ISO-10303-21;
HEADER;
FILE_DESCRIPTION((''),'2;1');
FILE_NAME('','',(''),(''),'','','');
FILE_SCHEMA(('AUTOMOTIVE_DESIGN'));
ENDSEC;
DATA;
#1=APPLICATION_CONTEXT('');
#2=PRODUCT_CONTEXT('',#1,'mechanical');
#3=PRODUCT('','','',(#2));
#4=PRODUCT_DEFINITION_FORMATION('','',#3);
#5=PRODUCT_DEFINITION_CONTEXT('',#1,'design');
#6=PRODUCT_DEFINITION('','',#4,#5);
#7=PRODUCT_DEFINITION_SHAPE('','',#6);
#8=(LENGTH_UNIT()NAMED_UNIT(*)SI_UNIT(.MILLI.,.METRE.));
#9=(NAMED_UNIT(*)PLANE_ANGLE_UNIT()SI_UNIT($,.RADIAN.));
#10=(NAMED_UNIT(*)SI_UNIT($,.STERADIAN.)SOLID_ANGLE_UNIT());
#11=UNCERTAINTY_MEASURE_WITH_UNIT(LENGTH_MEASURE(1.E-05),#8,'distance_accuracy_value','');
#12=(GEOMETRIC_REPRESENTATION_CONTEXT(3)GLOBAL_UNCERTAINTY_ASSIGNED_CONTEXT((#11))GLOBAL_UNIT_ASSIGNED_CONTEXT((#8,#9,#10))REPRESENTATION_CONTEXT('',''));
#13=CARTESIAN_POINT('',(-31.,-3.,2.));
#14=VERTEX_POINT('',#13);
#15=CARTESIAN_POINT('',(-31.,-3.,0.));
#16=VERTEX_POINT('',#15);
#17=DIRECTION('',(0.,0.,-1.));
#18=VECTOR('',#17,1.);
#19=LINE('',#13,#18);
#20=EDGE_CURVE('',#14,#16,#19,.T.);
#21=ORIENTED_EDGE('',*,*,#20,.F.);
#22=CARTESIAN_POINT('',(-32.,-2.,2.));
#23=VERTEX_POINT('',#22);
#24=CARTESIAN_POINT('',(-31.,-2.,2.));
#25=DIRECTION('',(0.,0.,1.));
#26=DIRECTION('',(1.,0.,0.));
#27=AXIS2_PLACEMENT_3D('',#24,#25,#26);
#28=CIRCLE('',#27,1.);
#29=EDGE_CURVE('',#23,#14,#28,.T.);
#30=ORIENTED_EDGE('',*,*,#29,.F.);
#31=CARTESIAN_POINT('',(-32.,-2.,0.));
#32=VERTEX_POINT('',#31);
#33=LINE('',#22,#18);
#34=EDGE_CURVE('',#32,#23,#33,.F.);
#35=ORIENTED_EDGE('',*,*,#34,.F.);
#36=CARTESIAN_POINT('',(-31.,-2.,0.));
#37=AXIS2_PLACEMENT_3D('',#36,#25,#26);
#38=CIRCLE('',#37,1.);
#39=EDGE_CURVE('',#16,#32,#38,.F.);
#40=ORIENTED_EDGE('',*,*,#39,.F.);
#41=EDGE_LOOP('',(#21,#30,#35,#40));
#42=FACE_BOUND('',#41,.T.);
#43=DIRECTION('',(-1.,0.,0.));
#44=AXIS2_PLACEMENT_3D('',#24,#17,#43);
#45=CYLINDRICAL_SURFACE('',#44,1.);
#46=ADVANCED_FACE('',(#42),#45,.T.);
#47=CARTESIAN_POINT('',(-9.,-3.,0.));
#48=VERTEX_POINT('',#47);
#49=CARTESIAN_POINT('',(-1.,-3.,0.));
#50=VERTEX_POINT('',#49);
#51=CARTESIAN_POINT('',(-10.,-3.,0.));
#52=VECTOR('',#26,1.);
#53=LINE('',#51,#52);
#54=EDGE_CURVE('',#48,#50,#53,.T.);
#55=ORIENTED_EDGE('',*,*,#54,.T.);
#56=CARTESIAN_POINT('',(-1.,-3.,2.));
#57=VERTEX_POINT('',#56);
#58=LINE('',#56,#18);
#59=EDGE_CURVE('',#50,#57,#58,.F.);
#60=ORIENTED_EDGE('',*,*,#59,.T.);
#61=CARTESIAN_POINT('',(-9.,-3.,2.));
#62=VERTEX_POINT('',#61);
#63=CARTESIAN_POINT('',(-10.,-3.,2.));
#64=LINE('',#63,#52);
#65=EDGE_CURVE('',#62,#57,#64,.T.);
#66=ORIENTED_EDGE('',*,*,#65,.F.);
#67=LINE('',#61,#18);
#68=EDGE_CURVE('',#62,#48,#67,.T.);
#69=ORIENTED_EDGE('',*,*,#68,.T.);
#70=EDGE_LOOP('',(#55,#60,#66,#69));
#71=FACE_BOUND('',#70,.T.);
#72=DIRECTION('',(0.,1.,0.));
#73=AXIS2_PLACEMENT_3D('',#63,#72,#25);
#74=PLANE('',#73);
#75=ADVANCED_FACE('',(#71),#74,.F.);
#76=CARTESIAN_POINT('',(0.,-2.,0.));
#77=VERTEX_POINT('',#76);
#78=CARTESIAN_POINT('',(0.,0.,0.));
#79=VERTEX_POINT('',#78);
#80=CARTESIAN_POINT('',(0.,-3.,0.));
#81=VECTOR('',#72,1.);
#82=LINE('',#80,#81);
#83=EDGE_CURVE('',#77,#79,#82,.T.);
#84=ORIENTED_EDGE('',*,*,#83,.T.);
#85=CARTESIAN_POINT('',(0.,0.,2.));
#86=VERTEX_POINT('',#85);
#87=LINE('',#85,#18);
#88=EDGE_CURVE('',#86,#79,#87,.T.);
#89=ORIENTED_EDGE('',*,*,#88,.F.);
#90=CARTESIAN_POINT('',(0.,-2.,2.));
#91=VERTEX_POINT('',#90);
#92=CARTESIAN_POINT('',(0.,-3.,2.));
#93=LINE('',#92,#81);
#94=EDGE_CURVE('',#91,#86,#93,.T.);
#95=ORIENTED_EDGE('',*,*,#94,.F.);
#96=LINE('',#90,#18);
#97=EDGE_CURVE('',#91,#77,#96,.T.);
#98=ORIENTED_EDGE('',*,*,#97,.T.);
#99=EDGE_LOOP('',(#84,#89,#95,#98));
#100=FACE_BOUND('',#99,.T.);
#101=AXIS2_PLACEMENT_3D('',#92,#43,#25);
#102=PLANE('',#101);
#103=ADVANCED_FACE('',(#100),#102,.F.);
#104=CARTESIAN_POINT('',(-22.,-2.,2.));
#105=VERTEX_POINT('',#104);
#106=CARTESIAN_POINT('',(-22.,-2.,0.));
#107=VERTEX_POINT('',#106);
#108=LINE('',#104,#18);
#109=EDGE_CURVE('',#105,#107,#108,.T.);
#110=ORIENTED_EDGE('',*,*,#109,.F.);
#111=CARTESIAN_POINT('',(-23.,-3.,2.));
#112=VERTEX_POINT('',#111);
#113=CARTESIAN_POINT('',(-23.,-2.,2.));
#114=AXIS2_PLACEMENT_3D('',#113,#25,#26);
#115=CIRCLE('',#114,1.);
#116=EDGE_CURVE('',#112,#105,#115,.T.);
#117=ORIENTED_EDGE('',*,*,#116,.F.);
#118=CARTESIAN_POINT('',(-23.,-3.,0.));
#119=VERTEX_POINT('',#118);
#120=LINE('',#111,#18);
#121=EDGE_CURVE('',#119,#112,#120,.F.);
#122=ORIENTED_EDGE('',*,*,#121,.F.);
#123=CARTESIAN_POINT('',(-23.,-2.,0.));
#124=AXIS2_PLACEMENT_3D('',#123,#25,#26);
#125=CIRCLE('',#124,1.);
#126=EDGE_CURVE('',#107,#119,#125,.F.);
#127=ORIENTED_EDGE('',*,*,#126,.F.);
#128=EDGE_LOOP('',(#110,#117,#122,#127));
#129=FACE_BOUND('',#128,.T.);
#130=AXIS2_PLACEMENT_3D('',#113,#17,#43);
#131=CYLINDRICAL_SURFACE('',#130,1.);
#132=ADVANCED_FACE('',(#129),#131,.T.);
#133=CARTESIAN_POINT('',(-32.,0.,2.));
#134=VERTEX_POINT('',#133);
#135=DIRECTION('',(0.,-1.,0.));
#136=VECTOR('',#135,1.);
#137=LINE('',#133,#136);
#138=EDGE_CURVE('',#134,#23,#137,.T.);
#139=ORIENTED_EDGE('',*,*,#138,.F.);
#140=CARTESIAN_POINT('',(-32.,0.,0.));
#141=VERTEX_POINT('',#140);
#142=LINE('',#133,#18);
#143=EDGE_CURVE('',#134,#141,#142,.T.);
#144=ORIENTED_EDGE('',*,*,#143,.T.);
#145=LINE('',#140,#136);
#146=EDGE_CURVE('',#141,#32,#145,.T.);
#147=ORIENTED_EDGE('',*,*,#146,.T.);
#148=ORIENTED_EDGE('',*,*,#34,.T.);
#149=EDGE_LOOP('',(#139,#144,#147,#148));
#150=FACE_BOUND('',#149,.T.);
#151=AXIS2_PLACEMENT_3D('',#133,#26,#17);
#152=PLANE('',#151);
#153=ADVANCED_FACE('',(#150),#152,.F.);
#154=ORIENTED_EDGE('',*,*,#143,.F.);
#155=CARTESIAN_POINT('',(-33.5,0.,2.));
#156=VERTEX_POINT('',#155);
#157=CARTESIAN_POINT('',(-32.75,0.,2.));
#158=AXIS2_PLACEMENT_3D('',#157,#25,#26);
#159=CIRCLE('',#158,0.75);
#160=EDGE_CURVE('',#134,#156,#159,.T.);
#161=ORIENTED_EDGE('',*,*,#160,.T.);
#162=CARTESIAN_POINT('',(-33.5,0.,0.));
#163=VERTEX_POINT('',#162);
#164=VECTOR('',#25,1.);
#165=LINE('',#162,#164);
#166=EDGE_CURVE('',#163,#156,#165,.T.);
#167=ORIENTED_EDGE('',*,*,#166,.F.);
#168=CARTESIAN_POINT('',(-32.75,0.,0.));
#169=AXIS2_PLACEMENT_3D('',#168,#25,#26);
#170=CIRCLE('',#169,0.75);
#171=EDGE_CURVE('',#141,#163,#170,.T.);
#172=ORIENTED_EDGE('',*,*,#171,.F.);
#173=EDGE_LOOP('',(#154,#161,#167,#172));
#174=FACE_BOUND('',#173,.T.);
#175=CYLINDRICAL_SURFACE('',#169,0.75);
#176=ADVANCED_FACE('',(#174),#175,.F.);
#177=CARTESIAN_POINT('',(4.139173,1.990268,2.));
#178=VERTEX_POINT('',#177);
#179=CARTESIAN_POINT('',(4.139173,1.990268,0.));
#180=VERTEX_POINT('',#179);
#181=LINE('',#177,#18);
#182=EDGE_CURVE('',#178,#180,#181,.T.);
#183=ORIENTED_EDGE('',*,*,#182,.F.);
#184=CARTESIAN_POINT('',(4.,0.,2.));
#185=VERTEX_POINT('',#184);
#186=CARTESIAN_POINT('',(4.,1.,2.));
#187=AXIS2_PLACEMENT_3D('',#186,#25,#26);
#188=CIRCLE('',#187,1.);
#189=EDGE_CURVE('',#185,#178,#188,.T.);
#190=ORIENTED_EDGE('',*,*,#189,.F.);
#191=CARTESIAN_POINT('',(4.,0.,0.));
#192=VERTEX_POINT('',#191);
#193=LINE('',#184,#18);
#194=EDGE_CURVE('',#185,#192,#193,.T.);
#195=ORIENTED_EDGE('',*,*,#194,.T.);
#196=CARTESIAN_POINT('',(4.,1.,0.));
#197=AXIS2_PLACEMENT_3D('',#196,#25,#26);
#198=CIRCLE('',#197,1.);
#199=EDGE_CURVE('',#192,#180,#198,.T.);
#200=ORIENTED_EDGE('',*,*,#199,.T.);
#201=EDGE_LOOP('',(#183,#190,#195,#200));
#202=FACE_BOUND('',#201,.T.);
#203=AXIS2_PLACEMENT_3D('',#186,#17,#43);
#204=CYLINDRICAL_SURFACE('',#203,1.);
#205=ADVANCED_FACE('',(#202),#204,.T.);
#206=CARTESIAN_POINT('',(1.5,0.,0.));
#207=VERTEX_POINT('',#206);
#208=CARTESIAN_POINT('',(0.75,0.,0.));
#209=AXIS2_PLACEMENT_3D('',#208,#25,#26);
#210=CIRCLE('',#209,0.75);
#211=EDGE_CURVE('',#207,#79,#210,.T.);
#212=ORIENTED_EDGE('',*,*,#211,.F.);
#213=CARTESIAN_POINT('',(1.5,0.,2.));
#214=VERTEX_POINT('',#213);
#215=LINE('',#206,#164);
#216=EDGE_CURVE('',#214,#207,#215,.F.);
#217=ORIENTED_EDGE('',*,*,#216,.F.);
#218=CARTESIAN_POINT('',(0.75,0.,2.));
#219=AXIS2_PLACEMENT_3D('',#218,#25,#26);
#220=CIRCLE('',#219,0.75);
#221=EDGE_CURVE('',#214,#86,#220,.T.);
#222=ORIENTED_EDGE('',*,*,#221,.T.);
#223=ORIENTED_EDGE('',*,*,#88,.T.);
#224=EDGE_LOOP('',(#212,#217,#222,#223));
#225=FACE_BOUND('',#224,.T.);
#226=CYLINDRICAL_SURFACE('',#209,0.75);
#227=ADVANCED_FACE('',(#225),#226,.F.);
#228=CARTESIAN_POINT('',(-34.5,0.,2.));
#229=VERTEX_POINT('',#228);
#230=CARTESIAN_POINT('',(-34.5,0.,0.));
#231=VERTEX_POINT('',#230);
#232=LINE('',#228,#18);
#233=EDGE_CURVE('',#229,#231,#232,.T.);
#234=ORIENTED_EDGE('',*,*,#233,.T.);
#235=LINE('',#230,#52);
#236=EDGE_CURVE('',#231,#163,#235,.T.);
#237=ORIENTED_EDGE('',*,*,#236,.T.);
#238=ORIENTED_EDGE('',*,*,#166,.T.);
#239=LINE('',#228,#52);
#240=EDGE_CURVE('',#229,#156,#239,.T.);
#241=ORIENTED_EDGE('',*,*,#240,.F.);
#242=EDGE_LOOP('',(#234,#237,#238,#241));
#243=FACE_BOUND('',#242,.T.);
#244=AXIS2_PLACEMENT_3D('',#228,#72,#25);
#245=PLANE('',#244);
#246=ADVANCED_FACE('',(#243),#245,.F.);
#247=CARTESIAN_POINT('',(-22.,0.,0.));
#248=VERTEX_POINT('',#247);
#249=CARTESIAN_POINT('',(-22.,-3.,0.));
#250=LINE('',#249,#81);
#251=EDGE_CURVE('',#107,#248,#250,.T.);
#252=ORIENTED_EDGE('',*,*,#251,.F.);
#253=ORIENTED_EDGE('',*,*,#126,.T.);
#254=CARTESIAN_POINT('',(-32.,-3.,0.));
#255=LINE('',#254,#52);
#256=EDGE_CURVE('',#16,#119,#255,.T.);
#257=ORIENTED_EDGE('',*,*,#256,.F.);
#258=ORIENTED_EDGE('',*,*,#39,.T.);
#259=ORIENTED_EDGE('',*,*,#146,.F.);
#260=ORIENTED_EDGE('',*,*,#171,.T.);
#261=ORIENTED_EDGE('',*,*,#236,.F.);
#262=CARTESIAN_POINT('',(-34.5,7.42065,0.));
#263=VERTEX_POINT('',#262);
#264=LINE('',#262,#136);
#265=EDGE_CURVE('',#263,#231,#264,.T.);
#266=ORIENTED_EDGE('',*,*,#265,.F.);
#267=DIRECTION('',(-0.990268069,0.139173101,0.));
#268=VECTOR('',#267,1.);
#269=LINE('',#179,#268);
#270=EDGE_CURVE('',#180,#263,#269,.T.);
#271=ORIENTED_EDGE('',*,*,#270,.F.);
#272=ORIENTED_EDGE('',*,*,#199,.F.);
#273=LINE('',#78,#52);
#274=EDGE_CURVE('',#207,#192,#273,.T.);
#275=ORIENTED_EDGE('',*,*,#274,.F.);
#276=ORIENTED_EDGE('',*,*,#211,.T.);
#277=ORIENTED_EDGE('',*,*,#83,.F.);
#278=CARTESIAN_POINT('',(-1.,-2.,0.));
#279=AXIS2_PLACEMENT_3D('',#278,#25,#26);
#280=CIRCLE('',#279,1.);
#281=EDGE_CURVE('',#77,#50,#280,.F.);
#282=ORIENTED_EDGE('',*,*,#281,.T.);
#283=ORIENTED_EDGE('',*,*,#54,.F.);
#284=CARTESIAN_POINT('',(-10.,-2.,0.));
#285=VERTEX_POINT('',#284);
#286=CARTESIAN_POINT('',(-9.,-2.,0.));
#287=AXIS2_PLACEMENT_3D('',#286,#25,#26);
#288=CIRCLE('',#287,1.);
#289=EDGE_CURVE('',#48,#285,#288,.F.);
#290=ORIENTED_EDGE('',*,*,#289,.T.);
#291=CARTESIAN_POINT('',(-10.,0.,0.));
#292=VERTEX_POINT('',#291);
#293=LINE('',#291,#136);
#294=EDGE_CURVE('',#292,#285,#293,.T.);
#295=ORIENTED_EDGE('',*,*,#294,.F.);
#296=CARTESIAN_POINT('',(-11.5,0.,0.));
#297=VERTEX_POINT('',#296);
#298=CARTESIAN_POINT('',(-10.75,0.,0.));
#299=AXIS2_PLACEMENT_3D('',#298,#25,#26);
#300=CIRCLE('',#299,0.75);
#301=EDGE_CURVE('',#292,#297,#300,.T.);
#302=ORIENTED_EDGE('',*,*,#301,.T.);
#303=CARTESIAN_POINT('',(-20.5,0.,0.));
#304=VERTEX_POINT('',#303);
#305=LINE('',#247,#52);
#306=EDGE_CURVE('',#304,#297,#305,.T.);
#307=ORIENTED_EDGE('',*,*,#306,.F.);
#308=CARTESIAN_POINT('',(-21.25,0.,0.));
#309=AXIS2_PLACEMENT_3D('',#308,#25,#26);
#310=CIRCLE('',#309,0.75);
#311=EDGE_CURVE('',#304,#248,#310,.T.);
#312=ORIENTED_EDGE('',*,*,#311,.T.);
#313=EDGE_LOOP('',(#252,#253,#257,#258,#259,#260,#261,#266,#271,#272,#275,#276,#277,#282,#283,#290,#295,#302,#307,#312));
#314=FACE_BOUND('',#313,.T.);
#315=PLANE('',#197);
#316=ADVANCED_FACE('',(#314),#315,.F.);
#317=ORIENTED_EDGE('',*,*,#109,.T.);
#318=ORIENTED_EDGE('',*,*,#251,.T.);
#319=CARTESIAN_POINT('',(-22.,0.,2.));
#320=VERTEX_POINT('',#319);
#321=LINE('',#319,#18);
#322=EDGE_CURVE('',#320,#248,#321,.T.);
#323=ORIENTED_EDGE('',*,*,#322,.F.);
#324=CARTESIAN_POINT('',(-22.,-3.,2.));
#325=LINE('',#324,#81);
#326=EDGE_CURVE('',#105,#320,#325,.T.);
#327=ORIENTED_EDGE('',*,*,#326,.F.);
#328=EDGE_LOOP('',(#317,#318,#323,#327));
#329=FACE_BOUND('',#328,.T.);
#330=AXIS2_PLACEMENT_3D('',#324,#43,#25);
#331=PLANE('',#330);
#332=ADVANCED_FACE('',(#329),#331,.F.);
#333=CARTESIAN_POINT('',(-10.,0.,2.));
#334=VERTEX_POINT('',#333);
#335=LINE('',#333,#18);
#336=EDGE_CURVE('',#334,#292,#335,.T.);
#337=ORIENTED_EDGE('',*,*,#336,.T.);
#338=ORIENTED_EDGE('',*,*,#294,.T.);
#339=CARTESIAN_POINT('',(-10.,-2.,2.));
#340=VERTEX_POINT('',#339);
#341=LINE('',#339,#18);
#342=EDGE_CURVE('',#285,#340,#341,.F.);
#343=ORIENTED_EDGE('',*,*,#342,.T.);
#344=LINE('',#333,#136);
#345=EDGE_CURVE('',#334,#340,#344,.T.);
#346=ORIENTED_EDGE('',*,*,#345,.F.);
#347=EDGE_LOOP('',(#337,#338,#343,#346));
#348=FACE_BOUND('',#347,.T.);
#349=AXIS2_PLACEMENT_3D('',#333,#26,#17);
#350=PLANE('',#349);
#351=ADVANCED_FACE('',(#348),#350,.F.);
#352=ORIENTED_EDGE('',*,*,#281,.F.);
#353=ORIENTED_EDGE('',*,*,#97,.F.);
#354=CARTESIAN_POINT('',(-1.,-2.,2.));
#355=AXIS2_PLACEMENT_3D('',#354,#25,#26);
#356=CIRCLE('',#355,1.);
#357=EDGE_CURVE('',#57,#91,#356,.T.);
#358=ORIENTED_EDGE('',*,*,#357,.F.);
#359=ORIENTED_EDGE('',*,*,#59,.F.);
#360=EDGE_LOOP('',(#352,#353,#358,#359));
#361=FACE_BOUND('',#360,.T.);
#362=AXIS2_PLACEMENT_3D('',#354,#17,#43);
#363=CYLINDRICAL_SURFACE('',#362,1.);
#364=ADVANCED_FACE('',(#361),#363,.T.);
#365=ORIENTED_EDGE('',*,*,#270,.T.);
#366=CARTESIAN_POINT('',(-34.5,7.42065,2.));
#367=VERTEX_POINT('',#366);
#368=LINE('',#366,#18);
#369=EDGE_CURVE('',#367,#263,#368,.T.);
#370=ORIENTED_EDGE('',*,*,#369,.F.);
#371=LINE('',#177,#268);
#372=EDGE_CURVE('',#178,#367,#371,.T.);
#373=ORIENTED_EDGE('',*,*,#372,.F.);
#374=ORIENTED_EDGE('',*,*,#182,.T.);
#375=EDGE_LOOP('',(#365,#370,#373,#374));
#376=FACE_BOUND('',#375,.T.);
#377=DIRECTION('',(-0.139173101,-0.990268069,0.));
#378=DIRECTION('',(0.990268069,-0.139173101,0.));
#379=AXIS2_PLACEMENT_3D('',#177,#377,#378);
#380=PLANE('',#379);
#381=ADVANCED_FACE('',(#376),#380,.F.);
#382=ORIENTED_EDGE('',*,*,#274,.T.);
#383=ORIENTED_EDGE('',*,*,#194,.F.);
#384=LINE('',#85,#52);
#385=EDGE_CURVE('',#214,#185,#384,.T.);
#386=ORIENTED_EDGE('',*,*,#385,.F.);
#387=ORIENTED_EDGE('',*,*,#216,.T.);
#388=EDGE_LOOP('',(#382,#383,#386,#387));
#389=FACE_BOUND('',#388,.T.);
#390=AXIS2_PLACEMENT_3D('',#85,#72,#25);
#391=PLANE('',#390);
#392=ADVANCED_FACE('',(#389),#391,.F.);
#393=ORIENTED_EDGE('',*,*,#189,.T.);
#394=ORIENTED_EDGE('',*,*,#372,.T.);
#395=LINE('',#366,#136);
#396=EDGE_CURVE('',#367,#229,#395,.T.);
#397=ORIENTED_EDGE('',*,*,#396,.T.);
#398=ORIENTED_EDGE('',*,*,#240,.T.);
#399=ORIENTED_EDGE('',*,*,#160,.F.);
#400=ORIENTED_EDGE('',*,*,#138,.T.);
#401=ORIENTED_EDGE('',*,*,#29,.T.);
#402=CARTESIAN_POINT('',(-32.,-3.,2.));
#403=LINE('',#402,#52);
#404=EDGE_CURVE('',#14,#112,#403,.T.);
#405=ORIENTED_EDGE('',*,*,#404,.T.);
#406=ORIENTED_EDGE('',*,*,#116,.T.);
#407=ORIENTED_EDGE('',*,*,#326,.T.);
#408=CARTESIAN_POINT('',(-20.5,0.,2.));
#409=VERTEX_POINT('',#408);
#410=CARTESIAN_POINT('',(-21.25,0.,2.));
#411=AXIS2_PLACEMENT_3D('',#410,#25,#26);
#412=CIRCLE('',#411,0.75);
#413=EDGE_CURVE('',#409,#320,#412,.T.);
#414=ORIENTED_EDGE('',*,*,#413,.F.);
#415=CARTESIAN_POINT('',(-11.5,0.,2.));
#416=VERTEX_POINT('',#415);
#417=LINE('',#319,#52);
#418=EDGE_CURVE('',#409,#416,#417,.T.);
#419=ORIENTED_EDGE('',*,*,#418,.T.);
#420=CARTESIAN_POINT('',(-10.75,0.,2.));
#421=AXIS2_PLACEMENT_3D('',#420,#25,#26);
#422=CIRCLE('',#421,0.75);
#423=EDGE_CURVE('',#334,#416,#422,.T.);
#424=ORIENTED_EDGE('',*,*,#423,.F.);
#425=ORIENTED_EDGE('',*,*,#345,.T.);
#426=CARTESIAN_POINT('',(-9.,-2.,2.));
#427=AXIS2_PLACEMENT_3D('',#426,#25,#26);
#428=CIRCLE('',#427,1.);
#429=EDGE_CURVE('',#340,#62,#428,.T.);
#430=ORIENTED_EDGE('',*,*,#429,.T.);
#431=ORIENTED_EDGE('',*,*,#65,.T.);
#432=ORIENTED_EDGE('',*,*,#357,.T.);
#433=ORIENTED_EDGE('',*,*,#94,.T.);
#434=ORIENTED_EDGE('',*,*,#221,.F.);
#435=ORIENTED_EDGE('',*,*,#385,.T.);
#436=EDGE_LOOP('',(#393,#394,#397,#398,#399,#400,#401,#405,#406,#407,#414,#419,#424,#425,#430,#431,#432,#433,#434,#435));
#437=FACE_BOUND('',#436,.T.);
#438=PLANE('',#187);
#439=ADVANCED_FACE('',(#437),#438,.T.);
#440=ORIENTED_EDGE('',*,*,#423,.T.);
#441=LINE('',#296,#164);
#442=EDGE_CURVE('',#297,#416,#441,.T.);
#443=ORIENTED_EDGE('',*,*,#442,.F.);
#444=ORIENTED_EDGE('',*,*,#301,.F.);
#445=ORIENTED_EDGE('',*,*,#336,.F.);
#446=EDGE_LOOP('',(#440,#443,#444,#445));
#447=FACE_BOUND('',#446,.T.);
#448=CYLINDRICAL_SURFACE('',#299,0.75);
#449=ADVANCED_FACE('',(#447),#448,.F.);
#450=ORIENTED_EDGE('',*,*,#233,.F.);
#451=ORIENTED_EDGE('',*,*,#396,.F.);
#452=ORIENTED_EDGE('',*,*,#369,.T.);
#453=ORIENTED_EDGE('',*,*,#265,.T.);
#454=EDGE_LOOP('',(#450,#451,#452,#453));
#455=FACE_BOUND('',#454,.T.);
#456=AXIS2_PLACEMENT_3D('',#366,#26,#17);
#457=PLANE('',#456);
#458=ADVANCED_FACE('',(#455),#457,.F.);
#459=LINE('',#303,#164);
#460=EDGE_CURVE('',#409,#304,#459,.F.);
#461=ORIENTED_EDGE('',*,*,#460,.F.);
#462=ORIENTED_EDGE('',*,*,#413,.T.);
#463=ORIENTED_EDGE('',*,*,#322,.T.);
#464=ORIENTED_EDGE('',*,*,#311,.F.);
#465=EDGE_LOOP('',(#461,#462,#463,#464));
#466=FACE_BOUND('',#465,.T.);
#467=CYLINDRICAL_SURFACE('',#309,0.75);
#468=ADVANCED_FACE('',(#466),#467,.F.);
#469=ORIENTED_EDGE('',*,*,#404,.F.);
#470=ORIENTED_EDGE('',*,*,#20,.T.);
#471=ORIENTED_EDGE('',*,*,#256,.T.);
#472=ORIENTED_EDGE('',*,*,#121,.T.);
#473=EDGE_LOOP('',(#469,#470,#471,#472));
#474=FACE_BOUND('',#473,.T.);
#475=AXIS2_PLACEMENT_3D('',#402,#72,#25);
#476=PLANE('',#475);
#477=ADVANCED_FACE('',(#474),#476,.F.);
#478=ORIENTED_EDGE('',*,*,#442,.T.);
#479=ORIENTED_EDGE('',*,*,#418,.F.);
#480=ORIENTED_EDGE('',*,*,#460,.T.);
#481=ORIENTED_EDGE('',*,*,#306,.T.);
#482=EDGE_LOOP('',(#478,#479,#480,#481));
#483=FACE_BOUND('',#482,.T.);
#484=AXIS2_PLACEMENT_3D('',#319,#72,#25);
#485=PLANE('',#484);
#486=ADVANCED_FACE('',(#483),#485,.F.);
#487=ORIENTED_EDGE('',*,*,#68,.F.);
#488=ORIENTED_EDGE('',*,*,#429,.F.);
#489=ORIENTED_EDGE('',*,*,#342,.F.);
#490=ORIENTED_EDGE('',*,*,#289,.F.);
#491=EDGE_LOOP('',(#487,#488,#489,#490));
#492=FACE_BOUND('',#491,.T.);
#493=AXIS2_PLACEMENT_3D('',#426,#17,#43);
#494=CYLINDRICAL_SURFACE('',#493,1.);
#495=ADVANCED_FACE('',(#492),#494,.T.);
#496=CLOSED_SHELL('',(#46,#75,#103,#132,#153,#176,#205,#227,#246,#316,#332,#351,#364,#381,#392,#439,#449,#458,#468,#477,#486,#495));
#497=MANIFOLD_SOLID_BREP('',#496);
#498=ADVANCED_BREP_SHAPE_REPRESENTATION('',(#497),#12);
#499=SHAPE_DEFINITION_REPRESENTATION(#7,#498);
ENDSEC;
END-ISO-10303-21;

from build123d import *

# Parameters (mm, degrees)
EXTRUDE_1_DEPTH     = 2
SKETCH_2_R          = 0.75
CUT_EXTRUDE_1_DEPTH = 36.34566511
FILLET_1_R          = 1


with BuildPart() as part:
    # 草图1 → 凸台-拉伸1 (new body)
    with BuildSketch(Plane.XY):
        with BuildLine():
            Line((4.139173101, 1.990268069), (-34.5, 7.420649709))
            Line((-34.5, 7.420649709), (-34.5, 0))
            Line((-34.5, 0), (-32, 0))
            Line((-32, 0), (-32, -3))
            Line((-32, -3), (-22, -3))
            Line((-22, -3), (-22, 0))
            Line((-22, 0), (-10, 0))
            Line((-10, 0), (-10, -3))
            Line((-10, -3), (0, -3))
            Line((0, -3), (0, 0))
            Line((0, 0), (4, 0))
            ThreePointArc((4, 0), (4.99756405, 0.930243526), (4.139173101, 1.990268069))
        make_face()
    extrude(amount=EXTRUDE_1_DEPTH)

    # 草图2 → 切除-拉伸1 (cut, through all)
    with BuildSketch(Plane.XY.offset(2)):
        with Locations((-32.75, 0)):
            Circle(SKETCH_2_R)
        with Locations((-21.25, 0)):
            Circle(SKETCH_2_R)
        with Locations((-10.75, 0)):
            Circle(SKETCH_2_R)
        with Locations((0.75, 0)):
            Circle(SKETCH_2_R)
    extrude(amount=-CUT_EXTRUDE_1_DEPTH, mode=Mode.SUBTRACT)

    # 圆角1
    fillet_1_edges = [part.edges().sort_by_distance(p)[0] for p in [
        (0, -3, 1),
        (-10, -3, 1),
        (-22, -3, 1),
        (-32, -3, 1),
    ]]
    fillet(fillet_1_edges, radius=FILLET_1_R)


solid = part.part
